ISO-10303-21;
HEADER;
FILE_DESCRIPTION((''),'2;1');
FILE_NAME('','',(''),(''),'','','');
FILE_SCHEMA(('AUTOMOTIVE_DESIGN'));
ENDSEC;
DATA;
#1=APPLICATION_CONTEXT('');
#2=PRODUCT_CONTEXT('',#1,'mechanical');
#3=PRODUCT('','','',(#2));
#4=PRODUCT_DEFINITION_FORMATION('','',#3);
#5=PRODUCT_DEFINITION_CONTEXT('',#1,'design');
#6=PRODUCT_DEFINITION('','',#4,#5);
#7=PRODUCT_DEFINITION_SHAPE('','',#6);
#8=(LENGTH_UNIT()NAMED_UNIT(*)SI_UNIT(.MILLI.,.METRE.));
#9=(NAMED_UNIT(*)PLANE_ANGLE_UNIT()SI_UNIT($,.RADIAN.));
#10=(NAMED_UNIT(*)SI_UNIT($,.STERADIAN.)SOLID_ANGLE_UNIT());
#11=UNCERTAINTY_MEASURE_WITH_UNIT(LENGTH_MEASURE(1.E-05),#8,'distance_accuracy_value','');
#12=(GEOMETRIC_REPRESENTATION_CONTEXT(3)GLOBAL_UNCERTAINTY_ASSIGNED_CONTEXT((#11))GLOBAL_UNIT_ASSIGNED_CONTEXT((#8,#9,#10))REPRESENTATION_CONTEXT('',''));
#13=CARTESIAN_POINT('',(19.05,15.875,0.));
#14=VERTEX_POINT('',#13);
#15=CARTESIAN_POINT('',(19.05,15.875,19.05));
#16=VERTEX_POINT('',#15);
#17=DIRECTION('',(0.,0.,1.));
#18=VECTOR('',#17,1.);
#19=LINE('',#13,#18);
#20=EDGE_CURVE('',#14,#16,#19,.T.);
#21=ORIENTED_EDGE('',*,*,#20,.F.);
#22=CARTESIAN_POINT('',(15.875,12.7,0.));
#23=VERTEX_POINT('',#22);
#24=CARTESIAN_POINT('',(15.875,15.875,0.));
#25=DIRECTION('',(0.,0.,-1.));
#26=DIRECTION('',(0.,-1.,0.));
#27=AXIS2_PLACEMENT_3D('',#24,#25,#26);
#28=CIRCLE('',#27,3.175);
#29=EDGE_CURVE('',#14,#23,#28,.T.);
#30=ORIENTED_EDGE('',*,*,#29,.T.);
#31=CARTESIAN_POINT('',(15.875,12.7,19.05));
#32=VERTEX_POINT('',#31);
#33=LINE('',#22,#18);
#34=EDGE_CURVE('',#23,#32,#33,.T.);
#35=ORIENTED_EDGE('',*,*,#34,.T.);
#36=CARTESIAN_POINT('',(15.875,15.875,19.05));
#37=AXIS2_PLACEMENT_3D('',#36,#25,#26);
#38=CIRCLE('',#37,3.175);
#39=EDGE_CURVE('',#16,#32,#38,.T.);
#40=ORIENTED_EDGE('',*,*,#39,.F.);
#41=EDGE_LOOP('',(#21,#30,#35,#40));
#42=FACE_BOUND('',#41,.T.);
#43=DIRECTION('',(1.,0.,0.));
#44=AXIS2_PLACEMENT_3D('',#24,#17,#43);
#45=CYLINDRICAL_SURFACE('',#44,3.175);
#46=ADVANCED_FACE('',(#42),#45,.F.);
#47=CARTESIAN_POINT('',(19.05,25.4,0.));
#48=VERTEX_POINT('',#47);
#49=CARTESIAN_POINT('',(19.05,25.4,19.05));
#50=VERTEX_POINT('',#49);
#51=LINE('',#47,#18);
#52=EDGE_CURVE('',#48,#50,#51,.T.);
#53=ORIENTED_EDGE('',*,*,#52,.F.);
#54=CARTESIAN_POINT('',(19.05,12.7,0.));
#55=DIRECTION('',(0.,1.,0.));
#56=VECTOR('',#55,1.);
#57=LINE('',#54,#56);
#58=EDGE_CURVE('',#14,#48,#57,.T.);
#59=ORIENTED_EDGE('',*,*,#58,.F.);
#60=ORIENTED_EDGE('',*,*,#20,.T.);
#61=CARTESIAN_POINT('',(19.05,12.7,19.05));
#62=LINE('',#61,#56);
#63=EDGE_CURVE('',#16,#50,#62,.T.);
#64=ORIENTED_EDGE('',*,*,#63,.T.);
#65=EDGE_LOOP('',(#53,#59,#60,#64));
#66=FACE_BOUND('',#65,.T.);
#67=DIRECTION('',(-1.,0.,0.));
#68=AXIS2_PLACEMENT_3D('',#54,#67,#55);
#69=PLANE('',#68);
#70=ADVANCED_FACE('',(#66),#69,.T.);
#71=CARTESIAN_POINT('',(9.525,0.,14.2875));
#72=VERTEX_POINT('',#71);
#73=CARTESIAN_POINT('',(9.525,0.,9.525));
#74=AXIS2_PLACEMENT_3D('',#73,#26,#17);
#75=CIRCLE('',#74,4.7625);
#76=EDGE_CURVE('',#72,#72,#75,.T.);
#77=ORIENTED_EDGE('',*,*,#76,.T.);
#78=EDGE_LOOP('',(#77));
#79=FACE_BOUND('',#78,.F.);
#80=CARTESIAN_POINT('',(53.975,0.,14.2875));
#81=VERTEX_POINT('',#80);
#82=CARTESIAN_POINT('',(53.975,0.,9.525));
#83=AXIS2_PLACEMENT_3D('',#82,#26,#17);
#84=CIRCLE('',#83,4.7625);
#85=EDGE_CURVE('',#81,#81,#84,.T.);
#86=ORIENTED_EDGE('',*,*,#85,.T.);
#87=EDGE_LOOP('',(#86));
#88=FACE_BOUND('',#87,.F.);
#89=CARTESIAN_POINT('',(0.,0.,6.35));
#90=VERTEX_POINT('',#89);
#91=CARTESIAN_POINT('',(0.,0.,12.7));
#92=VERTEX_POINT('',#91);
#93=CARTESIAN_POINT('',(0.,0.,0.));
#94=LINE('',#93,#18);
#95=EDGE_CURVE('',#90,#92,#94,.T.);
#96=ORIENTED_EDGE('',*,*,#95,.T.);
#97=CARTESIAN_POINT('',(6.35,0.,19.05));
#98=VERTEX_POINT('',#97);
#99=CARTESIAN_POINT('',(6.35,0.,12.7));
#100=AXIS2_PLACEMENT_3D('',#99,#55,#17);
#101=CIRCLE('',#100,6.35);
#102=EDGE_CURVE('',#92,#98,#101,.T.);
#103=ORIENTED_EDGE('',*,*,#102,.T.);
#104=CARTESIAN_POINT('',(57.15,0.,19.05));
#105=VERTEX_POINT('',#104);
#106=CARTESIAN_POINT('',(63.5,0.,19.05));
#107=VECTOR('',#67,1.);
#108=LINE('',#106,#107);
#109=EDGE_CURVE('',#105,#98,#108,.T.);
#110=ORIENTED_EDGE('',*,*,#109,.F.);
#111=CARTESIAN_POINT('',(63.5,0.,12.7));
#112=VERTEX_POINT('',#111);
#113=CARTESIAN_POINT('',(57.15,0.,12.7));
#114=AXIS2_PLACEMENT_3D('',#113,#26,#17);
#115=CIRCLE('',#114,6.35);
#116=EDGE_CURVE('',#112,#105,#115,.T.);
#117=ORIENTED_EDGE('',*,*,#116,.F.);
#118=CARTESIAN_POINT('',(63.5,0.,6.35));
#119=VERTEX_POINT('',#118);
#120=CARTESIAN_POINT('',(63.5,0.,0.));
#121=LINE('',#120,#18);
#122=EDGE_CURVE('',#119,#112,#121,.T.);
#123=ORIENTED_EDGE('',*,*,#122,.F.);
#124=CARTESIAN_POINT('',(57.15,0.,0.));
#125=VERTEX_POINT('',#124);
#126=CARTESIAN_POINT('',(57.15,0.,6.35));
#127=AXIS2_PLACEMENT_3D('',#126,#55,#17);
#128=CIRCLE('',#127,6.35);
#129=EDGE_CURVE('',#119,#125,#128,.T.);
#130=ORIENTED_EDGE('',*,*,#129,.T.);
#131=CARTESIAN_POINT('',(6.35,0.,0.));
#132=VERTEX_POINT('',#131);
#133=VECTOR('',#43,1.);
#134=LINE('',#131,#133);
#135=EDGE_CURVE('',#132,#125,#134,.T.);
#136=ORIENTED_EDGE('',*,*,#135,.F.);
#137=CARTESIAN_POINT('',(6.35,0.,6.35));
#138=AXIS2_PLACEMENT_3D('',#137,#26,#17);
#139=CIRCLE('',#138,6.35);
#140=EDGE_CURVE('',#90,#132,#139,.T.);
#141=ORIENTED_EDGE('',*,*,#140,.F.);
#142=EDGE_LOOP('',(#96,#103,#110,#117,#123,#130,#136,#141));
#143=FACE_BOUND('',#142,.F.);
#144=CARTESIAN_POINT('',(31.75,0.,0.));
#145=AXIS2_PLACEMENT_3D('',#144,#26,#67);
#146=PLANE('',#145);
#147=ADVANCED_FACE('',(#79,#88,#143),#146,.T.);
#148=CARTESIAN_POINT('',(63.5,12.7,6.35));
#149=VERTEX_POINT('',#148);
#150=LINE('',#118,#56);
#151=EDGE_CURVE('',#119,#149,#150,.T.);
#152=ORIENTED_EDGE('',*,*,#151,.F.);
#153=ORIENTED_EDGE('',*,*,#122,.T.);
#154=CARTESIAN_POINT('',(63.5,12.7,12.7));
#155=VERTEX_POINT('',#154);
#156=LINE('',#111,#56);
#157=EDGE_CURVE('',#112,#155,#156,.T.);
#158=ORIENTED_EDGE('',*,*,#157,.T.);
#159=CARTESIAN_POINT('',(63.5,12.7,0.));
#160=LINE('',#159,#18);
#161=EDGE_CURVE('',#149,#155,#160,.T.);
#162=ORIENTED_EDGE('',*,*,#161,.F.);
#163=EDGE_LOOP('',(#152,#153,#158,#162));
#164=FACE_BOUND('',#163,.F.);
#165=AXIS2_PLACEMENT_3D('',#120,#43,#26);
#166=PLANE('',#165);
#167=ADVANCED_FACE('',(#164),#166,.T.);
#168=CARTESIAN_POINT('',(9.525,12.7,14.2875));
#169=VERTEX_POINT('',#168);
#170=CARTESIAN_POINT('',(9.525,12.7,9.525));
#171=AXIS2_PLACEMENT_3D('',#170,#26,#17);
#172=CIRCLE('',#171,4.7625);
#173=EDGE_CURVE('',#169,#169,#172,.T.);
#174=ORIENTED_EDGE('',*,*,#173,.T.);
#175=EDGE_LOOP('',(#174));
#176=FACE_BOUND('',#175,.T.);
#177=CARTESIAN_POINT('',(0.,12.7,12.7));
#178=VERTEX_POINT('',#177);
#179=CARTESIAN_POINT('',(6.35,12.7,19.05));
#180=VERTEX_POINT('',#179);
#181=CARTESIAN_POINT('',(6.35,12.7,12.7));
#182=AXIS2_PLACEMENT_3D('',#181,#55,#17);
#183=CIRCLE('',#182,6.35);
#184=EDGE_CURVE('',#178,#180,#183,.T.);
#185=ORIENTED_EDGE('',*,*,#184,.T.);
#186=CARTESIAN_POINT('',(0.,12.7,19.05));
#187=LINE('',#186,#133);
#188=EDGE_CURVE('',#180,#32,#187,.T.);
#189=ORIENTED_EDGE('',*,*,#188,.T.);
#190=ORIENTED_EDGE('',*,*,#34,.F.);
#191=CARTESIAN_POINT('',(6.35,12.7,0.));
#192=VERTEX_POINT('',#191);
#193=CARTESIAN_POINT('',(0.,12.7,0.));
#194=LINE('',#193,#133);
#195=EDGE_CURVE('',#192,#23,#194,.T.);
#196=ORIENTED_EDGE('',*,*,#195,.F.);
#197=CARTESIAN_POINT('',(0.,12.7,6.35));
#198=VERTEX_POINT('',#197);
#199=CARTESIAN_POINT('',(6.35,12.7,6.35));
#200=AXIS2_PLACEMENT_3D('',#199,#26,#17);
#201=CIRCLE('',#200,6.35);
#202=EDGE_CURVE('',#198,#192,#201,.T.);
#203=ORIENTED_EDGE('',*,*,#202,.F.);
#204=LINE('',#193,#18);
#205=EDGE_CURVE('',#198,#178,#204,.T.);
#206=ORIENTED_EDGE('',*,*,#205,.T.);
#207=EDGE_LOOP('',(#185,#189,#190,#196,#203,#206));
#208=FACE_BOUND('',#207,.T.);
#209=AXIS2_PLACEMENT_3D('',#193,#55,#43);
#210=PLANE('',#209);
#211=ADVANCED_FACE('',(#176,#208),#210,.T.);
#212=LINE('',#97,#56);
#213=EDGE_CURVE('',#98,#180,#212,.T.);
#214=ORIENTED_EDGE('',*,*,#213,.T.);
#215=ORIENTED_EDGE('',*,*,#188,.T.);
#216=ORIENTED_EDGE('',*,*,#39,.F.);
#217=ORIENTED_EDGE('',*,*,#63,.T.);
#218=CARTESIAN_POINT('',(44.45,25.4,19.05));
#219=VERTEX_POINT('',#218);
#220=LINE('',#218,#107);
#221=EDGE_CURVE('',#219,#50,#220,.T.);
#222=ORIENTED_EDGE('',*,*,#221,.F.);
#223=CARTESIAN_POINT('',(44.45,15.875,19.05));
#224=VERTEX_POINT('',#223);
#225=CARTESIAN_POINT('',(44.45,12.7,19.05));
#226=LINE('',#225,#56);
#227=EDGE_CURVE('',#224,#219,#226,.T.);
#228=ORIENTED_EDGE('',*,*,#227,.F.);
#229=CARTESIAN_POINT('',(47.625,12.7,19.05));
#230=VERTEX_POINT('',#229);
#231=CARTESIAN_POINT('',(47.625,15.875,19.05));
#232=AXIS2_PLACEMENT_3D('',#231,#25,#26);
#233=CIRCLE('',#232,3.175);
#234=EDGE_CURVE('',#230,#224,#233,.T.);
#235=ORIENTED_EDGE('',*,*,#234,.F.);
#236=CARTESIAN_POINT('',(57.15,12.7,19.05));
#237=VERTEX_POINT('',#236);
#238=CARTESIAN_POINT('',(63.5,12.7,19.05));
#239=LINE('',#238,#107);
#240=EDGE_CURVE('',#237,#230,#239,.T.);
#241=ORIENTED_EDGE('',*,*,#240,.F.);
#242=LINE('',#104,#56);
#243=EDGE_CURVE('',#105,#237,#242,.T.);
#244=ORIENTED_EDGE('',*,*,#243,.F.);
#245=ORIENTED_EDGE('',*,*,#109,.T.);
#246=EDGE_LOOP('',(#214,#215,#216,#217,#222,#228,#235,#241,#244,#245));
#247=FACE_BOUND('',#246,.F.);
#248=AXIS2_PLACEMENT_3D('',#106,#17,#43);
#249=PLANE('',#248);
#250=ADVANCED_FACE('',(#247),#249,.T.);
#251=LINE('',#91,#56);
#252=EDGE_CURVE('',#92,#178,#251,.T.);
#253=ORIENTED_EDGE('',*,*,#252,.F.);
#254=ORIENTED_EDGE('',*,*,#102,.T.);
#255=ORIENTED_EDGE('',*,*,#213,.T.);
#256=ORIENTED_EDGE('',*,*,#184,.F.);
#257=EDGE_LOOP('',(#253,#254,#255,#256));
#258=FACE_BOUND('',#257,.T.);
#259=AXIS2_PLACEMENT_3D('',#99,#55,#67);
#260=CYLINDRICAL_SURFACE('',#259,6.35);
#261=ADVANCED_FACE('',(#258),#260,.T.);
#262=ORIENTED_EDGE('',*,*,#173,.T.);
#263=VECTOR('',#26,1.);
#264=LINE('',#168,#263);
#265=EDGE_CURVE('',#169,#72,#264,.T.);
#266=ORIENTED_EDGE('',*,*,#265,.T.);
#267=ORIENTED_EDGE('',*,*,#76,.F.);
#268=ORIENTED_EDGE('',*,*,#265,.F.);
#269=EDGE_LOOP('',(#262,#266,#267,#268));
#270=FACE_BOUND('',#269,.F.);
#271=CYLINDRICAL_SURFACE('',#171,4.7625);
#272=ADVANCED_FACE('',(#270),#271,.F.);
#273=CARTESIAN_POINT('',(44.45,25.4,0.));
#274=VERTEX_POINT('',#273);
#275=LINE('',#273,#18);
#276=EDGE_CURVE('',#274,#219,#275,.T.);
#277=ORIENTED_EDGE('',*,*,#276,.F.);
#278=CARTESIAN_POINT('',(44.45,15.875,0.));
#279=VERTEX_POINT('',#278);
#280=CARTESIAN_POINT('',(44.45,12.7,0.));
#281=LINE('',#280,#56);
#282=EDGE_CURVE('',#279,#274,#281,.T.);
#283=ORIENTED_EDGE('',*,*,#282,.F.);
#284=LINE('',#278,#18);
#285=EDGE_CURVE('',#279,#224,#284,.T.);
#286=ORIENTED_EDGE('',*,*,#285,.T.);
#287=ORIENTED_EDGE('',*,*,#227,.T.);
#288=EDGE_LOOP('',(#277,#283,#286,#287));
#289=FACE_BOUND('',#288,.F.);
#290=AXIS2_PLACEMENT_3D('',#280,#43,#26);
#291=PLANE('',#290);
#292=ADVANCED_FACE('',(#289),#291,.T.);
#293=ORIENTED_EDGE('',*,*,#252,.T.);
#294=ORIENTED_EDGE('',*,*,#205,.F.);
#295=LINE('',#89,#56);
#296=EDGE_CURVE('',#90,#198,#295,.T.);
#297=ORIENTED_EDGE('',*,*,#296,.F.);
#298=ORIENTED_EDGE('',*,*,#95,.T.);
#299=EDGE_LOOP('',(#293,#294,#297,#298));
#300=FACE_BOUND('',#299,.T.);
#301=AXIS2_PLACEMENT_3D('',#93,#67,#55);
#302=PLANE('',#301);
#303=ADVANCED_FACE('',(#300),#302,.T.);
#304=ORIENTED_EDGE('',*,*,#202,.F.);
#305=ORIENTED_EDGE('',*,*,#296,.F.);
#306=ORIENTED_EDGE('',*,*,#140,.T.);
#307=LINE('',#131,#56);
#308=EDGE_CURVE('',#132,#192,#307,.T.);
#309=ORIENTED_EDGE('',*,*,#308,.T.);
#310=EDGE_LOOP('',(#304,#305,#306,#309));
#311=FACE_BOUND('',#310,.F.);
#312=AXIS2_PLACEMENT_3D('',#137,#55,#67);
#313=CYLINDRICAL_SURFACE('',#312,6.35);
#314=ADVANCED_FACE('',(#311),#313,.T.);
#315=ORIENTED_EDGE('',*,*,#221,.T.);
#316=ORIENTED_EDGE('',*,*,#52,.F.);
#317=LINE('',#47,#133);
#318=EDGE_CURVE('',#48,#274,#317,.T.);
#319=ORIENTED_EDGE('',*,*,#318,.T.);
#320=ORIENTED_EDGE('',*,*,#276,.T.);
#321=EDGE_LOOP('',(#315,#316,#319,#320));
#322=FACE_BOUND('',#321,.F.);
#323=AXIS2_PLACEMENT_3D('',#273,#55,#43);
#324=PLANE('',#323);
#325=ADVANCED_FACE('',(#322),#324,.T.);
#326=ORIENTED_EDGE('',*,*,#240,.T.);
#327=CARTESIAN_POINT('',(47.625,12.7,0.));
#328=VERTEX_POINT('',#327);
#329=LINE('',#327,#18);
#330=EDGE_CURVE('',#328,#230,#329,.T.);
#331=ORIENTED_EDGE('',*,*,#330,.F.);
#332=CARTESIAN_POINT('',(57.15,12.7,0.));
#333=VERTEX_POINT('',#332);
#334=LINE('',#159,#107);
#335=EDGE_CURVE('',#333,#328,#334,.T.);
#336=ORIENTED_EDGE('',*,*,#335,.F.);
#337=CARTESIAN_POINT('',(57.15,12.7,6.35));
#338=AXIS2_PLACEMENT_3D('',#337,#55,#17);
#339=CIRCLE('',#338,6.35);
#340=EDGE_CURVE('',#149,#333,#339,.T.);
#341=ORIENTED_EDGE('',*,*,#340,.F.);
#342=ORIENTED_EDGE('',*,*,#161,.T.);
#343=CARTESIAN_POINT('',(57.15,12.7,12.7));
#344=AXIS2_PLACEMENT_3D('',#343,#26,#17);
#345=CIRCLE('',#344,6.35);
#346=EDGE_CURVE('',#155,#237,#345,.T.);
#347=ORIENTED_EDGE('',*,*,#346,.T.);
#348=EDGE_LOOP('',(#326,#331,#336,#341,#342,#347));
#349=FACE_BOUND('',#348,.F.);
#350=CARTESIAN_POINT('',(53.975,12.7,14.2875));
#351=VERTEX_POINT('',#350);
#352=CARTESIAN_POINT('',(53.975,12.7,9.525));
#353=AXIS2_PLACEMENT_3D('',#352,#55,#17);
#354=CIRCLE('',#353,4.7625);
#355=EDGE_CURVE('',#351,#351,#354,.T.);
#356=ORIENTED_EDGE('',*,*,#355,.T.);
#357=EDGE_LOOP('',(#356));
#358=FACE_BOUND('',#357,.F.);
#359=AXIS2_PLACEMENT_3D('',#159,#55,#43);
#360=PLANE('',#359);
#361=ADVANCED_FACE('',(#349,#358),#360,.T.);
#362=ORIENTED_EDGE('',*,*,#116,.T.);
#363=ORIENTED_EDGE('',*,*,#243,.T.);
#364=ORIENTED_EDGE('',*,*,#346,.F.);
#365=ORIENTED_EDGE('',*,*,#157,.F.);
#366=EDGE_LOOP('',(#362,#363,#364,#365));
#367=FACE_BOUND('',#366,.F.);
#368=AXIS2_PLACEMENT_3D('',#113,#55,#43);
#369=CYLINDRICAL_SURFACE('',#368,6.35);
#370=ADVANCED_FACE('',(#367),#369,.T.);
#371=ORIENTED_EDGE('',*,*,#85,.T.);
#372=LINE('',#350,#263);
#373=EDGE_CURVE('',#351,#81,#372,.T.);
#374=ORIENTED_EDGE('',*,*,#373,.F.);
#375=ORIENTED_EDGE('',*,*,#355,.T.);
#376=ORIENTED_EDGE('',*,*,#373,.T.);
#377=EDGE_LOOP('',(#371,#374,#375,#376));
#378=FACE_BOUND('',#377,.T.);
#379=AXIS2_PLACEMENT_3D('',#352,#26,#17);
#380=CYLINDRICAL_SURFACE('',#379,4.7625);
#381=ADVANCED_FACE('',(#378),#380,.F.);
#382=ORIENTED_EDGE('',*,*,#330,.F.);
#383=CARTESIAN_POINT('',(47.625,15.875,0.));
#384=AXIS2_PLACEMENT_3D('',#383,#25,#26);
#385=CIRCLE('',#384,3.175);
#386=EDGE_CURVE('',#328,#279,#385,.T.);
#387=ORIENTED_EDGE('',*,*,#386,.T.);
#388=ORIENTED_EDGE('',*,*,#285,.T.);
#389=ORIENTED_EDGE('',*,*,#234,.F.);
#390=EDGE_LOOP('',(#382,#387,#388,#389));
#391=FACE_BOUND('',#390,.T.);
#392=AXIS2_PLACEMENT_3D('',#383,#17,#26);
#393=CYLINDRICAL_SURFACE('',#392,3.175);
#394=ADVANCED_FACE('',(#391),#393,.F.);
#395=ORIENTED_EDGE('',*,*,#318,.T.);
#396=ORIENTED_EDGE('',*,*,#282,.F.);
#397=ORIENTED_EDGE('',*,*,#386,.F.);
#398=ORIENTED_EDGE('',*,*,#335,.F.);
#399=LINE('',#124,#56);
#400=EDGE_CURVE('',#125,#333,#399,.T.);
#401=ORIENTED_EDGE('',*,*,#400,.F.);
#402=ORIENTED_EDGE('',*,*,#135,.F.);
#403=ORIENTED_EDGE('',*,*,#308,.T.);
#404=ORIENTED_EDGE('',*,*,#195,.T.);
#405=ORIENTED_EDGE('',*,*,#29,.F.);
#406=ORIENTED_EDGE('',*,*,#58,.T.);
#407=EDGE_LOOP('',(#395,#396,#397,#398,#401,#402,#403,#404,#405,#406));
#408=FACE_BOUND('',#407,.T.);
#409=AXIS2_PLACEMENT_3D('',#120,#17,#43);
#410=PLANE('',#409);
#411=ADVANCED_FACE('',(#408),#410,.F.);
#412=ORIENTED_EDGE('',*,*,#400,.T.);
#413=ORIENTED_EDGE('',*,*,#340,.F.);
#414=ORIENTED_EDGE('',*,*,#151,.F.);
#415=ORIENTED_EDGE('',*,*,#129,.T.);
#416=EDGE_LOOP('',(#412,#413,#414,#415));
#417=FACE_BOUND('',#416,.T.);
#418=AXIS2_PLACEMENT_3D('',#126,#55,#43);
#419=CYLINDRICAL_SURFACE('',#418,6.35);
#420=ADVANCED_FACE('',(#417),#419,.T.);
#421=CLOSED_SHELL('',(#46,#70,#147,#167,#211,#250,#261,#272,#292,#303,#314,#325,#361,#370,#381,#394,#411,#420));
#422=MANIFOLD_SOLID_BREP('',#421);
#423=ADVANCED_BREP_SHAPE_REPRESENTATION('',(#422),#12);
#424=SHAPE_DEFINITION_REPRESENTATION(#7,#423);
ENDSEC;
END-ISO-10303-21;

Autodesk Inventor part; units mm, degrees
ref_plane "YZ Plane" through (0, 0, 0) normal (1, 0, 0) x (0, 1, 0)
ref_plane "XZ Plane" through (0, 0, 0) normal (0, 1, 0) x (-1, 0, 0)
ref_plane "XY Plane" through (0, 0, 0) normal (0, 0, 1) x (1, 0, 0)
sketch "Sketch1" plane through (0, 0, 0) normal (0, 0, 1) x (1, 0, 0)
  line L0 (0, 0) -> (0, 12.7)
  line L1 (0, 12.7) -> (19.05, 12.7)
  line L2 (19.05, 12.7) -> (19.05, 25.4)
  line L3 (19.05, 25.4) -> (31.75, 25.4)
  line L4 (31.75, 25.4) -> (31.75, 0)
  line L5 (31.75, 0) -> (0, 0)
  dimension "d0" = 12.7
  dimension "d1" = 31.75
  dimension "d2" = 19.05
  dimension "d3" = 12.7
extrude "Extrusion1" add sketch "Sketch1" along normal blind 19.05
sketch "Sketch2" plane through (0, 12.7, 0) normal (0, 1, 0) x (1, 0, 0)
  line L0 (0, 0) -> (0, -19.05) projected
  line L1 (0, 0) -> (19.05, 0) projected
  point P0 (9.525, -9.525)
  dimension "d6" = 9.525
  dimension "d7" = 9.525
hole "Hole1" at (9.525, 12.7, 9.525) direction (0, -1, 0) diameter 9.525 end through all
fillet "Fillet1" radius 6.35 1 edges at (0, 6.35, 19.05)
fillet "Fillet2" radius 6.35 1 edges at (0, 6.35, 0)
mirror "Mirror1" about plane through (31.75, 0, 0) normal (1, 0, 0) of "Extrusion1", "Hole1", "Fillet1", "Fillet2"
fillet "Fillet3" radius 3.175 1 edges at (44.45, 12.7, 9.525)
fillet "Fillet4" radius 3.175 1 edges at (19.05, 12.7, 9.525)
properties part number "Mirror"
